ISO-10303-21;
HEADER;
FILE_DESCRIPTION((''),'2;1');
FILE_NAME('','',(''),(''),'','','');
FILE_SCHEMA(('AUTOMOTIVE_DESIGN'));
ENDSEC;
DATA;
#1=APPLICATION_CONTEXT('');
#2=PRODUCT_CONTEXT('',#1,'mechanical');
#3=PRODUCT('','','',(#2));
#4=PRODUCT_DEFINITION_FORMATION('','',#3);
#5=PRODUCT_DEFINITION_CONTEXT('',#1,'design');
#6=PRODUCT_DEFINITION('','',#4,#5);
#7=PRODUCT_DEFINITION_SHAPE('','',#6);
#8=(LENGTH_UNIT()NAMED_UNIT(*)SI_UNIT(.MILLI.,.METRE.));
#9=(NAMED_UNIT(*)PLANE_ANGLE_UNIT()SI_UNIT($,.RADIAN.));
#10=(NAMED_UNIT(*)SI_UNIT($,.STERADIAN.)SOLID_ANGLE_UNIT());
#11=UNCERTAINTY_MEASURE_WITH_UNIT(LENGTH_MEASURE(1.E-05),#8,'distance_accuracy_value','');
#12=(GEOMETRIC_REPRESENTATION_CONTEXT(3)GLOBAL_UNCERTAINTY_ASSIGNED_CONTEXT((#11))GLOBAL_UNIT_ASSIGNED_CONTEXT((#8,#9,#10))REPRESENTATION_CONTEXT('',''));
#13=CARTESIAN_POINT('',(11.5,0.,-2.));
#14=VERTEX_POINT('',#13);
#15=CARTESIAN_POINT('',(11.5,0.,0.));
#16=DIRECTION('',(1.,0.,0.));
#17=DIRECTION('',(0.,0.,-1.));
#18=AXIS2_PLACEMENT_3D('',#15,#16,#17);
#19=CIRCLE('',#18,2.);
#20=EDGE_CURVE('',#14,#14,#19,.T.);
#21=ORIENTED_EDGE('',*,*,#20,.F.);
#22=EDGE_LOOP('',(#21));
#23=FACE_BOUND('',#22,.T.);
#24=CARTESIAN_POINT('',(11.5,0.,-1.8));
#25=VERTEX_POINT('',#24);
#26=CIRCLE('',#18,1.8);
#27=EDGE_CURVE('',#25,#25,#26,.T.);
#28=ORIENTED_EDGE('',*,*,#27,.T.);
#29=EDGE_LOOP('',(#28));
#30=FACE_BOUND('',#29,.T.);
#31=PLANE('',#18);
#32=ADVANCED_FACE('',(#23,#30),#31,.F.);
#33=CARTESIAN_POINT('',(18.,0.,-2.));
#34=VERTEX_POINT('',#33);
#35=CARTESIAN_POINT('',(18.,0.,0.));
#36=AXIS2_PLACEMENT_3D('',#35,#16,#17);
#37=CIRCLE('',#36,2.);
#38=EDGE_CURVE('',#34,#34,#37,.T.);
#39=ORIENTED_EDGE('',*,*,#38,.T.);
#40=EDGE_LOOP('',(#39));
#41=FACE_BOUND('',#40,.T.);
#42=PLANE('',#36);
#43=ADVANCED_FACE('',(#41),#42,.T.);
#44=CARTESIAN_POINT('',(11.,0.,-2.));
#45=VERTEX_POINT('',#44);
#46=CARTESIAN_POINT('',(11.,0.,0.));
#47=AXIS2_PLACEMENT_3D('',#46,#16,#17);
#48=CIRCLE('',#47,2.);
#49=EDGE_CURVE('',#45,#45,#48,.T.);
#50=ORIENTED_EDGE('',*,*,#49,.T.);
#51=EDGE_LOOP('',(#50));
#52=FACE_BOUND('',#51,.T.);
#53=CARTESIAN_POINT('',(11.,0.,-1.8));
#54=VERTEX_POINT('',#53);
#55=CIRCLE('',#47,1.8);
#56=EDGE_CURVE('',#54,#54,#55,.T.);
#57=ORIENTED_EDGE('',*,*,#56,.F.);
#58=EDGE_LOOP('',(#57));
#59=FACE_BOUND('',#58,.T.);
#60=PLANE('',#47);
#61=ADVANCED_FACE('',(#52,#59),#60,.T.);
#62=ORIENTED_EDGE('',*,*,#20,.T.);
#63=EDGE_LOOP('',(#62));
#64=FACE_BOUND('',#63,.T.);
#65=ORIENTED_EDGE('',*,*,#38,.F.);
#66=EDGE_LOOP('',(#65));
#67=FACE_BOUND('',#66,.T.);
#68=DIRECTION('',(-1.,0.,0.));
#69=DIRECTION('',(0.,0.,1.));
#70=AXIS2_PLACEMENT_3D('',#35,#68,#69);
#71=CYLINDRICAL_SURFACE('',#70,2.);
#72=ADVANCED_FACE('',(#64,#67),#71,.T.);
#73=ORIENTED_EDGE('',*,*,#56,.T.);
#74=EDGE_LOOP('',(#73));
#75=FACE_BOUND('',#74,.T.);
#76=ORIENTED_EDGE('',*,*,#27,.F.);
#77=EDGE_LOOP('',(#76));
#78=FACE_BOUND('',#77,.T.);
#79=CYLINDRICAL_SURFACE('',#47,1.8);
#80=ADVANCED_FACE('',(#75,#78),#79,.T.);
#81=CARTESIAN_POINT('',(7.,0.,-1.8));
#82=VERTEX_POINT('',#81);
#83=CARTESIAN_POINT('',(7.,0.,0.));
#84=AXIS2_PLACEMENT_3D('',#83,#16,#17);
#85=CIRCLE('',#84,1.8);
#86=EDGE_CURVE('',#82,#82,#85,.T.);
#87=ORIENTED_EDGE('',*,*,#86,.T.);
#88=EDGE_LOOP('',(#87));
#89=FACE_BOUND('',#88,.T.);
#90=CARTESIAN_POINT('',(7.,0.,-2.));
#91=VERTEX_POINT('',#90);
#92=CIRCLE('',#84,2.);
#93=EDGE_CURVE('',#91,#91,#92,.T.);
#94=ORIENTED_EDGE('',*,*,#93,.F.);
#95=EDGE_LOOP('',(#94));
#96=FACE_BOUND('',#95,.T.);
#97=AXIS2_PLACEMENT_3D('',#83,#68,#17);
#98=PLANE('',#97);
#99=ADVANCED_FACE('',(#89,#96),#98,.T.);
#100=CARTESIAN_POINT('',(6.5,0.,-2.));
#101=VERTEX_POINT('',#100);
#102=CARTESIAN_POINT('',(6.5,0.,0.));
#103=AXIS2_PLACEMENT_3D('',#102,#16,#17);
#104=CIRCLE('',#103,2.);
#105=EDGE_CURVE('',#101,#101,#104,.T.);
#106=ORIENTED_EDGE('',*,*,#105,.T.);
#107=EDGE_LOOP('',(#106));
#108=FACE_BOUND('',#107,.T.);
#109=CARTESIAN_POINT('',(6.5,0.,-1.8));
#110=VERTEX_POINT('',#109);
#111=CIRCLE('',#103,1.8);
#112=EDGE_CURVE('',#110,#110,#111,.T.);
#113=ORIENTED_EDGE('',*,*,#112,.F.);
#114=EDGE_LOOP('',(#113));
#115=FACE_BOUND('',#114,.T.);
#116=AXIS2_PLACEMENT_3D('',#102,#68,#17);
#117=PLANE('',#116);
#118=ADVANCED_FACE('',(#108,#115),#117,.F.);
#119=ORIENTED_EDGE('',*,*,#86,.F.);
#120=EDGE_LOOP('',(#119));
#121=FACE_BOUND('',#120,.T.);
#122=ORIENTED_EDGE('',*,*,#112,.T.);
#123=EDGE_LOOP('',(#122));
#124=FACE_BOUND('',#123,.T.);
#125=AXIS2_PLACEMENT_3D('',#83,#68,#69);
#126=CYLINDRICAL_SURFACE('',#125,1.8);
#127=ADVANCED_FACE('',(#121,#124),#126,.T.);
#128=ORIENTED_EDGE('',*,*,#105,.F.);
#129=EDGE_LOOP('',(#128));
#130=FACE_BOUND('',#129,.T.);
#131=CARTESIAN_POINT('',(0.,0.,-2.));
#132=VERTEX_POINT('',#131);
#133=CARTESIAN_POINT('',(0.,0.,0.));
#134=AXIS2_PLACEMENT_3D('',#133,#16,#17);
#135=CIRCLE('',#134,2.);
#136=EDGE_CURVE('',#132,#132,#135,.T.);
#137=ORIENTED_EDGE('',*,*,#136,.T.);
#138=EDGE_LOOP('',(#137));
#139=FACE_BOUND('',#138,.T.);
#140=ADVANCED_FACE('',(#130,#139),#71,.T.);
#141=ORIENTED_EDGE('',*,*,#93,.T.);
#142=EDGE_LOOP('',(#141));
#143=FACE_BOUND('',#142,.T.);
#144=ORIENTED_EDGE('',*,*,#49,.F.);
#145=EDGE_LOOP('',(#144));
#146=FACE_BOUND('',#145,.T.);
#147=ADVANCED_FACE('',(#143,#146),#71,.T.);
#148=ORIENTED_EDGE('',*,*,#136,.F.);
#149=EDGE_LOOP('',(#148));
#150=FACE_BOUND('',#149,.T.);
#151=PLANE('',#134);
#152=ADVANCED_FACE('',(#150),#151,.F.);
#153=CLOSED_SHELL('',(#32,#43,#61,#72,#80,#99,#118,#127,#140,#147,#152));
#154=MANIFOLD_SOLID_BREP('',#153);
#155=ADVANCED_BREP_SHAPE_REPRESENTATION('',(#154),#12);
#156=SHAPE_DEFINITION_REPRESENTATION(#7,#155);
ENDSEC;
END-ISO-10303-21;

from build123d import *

# Parameters (mm, degrees)
SKETCH_1_R          = 2
EXTRUDE_1_DEPTH     = 18
CUT_EXTRUDE_START   = -7
SKETCH_2_R          = 2
SKETCH_2_R_2        = 1.8
CUT_EXTRUDE_1_DEPTH = 0.5


with BuildPart() as part:
    # 草图1 → 凸台-拉伸1 (new body)
    with BuildSketch(Plane(origin=(0, 0, 0), x_dir=(0, 0, -1), z_dir=(1, 0, 0))):
        Circle(SKETCH_1_R)
    extrude(amount=EXTRUDE_1_DEPTH)

    # 草图2 → 切除-拉伸1 (cut)
    with BuildSketch(Plane(origin=(18, 0, 0), x_dir=(0, 0, -1), z_dir=(1, 0, 0)).offset(CUT_EXTRUDE_START)):
        Circle(SKETCH_2_R)
        Circle(SKETCH_2_R_2, mode=Mode.SUBTRACT)
    cut_extrude_1 = extrude(amount=CUT_EXTRUDE_1_DEPTH, mode=Mode.SUBTRACT)

    # 镜向1: 切除-拉伸1 across plane
    add(cut_extrude_1.mirror(Plane(origin=(9, 0, 0), x_dir=(0, 0, 1), z_dir=(1, 0, 0))), mode=Mode.SUBTRACT)


solid = part.part
